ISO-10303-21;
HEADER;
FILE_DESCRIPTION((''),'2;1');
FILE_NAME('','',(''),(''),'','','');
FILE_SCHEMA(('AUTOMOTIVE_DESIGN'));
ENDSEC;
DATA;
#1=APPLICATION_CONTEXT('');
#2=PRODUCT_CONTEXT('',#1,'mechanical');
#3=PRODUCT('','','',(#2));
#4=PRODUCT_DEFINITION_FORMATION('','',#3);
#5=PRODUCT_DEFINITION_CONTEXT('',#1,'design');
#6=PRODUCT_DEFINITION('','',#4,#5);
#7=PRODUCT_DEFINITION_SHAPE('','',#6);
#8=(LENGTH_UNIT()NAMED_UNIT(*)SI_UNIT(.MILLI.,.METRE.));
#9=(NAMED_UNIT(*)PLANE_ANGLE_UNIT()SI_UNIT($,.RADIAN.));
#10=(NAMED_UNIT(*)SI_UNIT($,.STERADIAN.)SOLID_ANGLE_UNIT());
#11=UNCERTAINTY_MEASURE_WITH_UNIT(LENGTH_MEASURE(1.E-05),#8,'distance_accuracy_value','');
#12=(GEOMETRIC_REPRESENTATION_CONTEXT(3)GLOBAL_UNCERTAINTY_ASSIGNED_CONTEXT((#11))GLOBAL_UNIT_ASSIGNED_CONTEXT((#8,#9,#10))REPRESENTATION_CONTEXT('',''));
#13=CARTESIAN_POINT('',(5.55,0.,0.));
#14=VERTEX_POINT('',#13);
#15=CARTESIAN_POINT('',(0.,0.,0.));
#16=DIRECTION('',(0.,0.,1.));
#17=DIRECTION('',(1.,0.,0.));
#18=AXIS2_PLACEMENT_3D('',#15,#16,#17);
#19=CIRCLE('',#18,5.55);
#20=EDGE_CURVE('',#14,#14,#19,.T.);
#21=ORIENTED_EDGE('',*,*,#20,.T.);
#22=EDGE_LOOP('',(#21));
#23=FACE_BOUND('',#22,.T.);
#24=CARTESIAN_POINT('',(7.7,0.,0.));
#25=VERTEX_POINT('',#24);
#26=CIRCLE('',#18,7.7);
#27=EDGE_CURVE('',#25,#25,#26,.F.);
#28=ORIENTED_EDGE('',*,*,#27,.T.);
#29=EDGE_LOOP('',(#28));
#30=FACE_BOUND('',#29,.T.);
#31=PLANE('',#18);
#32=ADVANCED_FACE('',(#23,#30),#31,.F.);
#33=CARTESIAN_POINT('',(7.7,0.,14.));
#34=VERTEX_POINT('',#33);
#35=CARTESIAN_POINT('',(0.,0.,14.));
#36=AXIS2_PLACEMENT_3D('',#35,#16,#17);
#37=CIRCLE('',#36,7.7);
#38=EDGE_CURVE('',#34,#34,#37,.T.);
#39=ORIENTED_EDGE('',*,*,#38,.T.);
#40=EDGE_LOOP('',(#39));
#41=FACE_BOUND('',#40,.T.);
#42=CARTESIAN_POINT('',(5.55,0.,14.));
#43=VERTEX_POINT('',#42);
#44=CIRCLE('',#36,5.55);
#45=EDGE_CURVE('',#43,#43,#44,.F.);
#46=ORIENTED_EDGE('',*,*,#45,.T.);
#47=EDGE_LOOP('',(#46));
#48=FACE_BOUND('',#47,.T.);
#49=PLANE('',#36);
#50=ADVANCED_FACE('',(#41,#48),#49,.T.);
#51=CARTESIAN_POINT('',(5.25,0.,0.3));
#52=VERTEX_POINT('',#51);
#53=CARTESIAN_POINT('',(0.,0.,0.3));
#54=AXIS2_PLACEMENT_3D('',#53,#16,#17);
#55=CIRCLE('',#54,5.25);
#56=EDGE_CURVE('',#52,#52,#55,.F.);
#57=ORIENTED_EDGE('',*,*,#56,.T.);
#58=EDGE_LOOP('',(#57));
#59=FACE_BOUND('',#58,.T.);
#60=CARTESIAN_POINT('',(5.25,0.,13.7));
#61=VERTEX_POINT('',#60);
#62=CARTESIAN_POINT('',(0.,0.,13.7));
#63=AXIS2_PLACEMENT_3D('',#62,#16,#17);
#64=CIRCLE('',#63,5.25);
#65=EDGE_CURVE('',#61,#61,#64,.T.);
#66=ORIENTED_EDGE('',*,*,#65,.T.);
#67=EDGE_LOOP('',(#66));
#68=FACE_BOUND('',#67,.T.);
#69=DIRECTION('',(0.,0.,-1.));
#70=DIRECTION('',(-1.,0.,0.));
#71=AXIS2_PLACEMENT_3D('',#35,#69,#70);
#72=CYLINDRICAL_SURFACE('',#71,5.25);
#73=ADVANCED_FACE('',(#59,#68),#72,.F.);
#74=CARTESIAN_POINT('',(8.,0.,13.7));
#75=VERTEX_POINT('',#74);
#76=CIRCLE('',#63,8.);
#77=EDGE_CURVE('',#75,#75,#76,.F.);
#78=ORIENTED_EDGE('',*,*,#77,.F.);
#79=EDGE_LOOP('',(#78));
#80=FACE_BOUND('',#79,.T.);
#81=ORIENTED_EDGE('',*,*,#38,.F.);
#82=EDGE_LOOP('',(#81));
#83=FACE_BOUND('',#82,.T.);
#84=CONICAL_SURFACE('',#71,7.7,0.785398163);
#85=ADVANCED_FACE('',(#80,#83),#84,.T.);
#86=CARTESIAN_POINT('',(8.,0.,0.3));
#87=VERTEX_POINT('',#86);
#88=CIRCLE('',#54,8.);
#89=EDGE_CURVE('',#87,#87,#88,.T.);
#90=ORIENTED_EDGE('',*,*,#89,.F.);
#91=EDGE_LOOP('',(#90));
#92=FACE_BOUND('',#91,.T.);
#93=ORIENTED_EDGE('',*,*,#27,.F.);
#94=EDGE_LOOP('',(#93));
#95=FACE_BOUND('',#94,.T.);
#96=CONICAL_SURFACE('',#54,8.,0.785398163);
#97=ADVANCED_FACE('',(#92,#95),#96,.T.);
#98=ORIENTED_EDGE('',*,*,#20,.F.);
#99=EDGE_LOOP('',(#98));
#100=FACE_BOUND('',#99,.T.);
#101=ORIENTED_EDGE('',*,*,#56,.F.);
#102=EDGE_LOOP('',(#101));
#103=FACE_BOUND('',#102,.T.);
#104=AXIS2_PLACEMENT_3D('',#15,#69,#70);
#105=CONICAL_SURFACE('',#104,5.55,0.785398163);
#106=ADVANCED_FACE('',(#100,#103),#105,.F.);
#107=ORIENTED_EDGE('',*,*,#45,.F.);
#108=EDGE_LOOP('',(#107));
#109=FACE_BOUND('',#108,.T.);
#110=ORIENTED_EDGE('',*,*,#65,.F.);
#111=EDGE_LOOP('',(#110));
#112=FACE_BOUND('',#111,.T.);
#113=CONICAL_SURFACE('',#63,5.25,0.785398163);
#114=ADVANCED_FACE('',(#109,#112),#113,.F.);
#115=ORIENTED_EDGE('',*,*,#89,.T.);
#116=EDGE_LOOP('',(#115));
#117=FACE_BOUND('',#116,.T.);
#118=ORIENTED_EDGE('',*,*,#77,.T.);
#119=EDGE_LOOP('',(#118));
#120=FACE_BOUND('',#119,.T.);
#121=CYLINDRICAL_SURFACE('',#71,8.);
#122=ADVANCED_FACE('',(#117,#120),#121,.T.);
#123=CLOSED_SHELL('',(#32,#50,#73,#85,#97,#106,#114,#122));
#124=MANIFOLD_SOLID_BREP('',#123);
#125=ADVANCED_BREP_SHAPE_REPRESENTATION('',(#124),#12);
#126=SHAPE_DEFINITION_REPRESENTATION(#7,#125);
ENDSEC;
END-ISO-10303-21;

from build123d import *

# Parameters (mm, degrees)
SKETCH1_R           = 8
BOSS_EXTRUDE1_DEPTH = 14
SKETCH2_R           = 5.25
CUT_EXTRUDE1_DEPTH  = 14
CHAMFER7_SIZE       = 0.3


with BuildPart() as part:
    # Sketch1 → Boss-Extrude1 (new body)
    with BuildSketch(Plane.XY):
        Circle(SKETCH1_R)
    extrude(amount=BOSS_EXTRUDE1_DEPTH)

    # Sketch2 → Cut-Extrude1 (cut)
    with BuildSketch(Plane.XY):
        Circle(SKETCH2_R)
    extrude(amount=CUT_EXTRUDE1_DEPTH, mode=Mode.SUBTRACT)

    # Chamfer7
    chamfer7_edges = [part.edges().sort_by_distance(p)[0] for p in [
        (-8, 0, 0),
        (-8, 0, 14),
        (-5.25, 0, 0),
        (-5.25, 0, 14),
    ]]
    chamfer(chamfer7_edges, length=CHAMFER7_SIZE)


solid = part.part
